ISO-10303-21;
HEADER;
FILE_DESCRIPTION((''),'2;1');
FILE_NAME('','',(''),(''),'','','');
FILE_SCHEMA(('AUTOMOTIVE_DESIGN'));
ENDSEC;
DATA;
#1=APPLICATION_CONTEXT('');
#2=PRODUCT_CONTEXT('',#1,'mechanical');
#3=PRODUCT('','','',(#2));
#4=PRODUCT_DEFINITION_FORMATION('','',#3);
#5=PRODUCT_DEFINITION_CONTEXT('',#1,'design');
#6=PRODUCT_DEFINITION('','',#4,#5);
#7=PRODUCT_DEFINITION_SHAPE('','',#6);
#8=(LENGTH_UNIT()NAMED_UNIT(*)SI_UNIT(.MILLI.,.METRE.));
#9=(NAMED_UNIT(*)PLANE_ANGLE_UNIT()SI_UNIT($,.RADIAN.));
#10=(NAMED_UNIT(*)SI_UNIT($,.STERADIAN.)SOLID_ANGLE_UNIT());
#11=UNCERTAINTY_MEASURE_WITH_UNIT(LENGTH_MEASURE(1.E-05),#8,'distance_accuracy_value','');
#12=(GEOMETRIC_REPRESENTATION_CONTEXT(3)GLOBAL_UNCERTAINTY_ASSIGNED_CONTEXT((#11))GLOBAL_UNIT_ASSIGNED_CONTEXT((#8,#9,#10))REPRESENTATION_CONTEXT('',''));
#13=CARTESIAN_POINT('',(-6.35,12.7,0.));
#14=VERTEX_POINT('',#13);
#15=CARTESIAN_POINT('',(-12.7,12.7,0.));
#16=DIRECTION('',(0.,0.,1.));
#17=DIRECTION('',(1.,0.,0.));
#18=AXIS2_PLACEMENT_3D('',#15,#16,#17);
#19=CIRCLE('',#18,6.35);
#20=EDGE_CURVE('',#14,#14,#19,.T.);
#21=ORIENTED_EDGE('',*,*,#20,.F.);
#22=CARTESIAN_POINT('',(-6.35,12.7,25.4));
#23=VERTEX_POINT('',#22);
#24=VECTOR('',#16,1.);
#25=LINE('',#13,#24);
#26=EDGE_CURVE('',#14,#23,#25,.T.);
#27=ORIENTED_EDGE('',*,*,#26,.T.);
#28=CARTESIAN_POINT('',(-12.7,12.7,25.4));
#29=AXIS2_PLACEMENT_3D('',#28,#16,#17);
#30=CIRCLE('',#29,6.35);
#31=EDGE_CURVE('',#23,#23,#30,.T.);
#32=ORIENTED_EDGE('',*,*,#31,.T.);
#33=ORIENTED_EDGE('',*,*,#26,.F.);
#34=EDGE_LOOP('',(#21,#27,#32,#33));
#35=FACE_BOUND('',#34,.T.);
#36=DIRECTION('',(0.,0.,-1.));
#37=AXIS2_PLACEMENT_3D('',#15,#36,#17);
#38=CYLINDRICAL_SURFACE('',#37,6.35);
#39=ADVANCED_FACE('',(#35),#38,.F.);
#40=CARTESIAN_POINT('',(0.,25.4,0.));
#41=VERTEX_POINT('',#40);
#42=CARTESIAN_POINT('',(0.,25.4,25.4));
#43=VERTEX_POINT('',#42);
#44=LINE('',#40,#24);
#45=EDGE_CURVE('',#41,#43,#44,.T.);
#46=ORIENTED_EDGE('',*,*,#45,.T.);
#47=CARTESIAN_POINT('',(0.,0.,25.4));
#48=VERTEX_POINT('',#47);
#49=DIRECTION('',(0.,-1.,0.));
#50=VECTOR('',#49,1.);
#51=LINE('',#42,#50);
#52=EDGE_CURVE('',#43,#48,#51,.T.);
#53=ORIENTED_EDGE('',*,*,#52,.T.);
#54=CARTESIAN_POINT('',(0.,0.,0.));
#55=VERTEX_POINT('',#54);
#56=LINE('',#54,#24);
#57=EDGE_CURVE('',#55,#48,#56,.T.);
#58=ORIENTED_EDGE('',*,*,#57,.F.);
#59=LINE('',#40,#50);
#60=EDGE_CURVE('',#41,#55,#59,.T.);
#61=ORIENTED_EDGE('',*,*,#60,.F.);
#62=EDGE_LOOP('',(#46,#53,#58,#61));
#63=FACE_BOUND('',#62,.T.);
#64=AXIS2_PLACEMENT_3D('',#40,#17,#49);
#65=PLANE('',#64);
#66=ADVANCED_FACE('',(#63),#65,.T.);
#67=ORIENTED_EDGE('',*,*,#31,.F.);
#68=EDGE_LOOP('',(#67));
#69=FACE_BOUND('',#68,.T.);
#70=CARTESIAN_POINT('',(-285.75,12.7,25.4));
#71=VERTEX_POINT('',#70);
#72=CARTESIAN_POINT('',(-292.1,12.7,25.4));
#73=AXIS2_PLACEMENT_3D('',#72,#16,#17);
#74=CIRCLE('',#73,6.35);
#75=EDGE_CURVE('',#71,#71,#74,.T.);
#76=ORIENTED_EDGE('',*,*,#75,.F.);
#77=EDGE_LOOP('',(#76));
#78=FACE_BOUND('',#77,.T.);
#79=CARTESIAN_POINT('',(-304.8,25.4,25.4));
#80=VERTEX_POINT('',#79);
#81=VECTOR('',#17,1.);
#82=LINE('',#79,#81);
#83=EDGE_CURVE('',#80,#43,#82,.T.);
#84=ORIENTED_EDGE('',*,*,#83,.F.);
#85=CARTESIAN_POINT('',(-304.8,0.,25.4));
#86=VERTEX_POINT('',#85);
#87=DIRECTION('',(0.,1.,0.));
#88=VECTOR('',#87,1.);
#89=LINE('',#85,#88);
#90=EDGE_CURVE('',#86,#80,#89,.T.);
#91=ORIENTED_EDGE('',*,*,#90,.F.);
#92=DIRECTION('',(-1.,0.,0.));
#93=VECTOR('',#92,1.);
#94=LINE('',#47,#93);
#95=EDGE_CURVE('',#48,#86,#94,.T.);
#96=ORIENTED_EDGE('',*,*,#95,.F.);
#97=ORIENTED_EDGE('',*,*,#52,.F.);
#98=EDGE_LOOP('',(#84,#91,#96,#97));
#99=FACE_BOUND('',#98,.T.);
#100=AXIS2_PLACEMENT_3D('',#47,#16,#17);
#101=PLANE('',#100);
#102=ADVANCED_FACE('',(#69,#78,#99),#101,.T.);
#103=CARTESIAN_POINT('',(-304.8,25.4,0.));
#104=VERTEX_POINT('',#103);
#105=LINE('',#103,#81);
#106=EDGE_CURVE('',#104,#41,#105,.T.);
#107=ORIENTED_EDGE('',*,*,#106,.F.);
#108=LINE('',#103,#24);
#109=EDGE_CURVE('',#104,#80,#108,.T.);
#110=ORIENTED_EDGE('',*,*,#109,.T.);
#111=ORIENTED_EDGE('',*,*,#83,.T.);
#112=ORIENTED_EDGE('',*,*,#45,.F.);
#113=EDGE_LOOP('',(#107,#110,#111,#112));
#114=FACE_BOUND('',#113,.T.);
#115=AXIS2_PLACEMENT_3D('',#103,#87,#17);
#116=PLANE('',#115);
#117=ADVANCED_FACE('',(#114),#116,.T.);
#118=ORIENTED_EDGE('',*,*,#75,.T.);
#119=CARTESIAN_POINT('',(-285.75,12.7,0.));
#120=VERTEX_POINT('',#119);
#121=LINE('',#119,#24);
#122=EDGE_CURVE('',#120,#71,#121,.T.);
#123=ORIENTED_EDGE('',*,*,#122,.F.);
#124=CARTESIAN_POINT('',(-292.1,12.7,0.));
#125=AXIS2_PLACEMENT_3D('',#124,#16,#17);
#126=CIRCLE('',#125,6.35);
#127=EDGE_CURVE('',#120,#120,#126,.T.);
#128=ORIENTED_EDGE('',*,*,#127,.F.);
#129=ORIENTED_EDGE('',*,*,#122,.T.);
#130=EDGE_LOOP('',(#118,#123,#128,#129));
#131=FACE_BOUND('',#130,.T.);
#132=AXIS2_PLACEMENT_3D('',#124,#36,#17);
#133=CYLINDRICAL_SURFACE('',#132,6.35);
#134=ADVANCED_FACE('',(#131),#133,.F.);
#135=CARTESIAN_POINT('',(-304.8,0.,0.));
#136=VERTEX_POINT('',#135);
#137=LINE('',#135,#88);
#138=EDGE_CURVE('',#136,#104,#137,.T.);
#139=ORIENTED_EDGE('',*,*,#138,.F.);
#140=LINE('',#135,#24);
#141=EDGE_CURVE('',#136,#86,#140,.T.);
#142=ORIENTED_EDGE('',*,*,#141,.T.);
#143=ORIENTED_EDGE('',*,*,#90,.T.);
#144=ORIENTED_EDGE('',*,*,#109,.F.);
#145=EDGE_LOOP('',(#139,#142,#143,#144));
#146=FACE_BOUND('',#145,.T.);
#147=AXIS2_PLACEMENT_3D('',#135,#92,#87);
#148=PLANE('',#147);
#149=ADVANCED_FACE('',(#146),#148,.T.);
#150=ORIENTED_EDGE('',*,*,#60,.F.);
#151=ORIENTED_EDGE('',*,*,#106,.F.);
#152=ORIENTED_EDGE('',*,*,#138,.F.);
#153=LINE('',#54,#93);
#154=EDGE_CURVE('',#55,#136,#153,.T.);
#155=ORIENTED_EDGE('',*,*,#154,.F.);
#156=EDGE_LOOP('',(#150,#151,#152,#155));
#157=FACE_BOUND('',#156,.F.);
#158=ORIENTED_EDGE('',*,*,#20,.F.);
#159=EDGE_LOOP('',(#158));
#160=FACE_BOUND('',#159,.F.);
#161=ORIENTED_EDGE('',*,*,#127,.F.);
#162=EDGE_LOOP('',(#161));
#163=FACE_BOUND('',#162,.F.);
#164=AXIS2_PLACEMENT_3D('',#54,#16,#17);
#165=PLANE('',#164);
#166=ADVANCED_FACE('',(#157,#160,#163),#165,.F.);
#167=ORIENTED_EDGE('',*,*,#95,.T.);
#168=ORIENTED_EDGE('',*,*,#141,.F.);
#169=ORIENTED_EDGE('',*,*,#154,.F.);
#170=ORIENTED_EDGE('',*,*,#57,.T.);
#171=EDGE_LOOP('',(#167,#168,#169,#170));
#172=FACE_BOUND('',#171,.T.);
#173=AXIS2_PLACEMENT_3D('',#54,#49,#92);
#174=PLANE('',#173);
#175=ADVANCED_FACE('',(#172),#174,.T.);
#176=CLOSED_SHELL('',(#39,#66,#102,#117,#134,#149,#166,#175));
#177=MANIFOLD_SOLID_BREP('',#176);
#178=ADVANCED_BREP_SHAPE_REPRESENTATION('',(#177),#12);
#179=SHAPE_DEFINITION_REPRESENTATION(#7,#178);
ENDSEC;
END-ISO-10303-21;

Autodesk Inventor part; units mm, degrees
ref_plane "YZ Plane" through (0, 0, 0) normal (1, 0, 0) x (0, 1, 0)
ref_plane "XZ Plane" through (0, 0, 0) normal (0, 1, 0) x (-1, 0, 0)
ref_plane "XY Plane" through (0, 0, 0) normal (0, 0, 1) x (1, 0, 0)
sketch "Sketch1" plane through (0, 0, 0) normal (0, 0, 1) x (1, 0, 0)
  line L0 (0, 0) -> (-304.8, 0)
  line L1 (-304.8, 0) -> (-304.8, 25.4)
  line L2 (-304.8, 25.4) -> (0, 25.4)
  line L3 (0, 25.4) -> (0, 0)
  circle A0 centre (-12.7, 12.7) radius 6.35
  circle A1 centre (-292.1, 12.7) radius 6.35
  dimension "d0" = 304.8
  dimension "d1" = 25.4
  dimension "d2" = 12.7
  dimension "d3" = 12.7
  dimension "d4" = 12.7
  dimension "d7" = 12.7
  dimension "d8" = 12.7
  dimension "d9" = 12.7
extrude "Extrusion2" add sketch "Sketch1" along normal blind 25.4
